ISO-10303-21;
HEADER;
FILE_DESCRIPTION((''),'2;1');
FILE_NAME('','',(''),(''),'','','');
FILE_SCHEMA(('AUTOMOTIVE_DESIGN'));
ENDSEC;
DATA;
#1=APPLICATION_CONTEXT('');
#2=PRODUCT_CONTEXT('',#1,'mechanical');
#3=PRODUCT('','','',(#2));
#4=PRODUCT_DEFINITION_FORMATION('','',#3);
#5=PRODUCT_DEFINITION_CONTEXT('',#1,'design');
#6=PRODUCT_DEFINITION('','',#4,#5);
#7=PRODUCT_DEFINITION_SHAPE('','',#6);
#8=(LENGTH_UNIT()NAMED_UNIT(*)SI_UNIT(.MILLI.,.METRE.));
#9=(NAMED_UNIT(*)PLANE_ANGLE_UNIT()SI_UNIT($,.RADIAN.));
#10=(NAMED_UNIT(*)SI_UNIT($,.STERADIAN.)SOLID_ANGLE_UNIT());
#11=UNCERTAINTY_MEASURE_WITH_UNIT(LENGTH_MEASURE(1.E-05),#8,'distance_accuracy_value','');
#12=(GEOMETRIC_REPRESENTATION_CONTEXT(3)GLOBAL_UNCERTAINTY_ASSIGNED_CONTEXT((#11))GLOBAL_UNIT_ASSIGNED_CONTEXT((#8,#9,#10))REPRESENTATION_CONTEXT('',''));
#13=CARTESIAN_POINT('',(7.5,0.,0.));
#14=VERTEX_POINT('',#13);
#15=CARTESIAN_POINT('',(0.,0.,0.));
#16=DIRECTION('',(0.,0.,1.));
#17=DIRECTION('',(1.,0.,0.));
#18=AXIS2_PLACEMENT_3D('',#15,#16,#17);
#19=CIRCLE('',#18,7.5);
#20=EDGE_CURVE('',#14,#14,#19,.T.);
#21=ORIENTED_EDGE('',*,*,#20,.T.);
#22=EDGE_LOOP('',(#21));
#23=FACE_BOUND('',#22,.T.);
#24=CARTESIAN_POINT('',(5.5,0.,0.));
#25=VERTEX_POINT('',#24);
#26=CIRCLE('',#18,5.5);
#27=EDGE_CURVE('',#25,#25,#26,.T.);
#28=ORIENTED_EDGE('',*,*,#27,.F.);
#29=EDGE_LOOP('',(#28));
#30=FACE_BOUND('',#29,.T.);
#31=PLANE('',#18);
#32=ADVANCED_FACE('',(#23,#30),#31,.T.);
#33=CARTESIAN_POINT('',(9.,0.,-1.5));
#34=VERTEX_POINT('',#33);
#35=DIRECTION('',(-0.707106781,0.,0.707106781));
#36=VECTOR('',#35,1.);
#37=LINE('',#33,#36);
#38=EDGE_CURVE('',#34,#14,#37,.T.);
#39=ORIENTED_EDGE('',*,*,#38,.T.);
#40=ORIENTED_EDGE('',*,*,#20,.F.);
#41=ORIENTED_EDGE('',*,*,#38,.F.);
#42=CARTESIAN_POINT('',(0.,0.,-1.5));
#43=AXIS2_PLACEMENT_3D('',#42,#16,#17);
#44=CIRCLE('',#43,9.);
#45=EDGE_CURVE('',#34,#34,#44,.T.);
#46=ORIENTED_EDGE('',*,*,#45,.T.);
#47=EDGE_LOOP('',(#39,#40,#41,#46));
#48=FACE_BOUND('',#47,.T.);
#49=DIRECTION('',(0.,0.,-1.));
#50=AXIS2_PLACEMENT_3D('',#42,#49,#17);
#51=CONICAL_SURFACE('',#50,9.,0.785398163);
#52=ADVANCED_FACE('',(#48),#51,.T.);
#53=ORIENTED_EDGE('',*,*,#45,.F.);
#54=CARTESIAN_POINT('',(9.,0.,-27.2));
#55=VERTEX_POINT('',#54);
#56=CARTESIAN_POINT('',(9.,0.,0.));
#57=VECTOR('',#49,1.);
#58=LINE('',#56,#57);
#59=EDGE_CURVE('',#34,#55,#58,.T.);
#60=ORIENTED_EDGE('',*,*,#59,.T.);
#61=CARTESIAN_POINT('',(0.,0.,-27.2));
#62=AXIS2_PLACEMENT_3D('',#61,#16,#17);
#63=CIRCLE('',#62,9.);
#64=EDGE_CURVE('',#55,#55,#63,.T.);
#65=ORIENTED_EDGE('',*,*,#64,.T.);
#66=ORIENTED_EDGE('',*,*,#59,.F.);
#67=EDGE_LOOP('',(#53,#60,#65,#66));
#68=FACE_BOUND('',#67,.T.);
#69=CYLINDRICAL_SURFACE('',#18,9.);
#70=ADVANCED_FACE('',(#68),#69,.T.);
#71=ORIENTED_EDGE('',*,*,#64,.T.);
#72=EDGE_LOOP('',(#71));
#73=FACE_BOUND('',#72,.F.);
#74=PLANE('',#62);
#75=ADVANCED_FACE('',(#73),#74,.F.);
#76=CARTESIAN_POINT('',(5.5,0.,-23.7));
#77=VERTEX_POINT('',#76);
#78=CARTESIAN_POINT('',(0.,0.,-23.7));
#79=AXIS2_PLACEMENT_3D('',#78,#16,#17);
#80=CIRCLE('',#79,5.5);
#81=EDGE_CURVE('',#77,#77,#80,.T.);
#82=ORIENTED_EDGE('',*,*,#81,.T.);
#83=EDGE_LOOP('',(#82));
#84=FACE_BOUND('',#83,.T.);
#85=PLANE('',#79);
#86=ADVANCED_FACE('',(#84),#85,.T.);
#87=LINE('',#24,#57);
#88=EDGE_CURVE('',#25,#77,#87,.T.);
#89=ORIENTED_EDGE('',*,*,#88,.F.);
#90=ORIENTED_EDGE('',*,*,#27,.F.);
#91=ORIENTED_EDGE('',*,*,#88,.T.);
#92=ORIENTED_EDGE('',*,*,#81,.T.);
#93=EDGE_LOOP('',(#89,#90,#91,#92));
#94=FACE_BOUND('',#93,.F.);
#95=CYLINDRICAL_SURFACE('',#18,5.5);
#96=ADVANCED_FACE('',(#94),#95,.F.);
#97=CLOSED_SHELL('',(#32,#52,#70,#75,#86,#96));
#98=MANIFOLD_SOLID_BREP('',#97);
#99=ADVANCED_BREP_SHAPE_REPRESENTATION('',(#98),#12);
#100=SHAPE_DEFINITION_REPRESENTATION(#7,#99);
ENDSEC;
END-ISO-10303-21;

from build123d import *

# Parameters (mm, degrees)
F0_R     = 9
F1_DEPTH = 27.2
F2_R     = 5.5
F3_DEPTH = 23.7
F4_SIZE  = 1.5


with BuildPart() as f1:
    # F0 (on Top) → F1 (new body)
    with BuildSketch(Plane.XY):
        Circle(F0_R)
    extrude(amount=-F1_DEPTH)

    # F2 (on face) → F3 (cut)
    with BuildSketch(Plane.XY):
        Circle(F2_R)
    extrude(amount=-F3_DEPTH, mode=Mode.SUBTRACT)

    # F4
    f4_edges = [f1.edges().sort_by_distance(p)[0] for p in [
        (-9, 0, 0),
    ]]
    chamfer(f4_edges, length=F4_SIZE)


solid = f1.part
